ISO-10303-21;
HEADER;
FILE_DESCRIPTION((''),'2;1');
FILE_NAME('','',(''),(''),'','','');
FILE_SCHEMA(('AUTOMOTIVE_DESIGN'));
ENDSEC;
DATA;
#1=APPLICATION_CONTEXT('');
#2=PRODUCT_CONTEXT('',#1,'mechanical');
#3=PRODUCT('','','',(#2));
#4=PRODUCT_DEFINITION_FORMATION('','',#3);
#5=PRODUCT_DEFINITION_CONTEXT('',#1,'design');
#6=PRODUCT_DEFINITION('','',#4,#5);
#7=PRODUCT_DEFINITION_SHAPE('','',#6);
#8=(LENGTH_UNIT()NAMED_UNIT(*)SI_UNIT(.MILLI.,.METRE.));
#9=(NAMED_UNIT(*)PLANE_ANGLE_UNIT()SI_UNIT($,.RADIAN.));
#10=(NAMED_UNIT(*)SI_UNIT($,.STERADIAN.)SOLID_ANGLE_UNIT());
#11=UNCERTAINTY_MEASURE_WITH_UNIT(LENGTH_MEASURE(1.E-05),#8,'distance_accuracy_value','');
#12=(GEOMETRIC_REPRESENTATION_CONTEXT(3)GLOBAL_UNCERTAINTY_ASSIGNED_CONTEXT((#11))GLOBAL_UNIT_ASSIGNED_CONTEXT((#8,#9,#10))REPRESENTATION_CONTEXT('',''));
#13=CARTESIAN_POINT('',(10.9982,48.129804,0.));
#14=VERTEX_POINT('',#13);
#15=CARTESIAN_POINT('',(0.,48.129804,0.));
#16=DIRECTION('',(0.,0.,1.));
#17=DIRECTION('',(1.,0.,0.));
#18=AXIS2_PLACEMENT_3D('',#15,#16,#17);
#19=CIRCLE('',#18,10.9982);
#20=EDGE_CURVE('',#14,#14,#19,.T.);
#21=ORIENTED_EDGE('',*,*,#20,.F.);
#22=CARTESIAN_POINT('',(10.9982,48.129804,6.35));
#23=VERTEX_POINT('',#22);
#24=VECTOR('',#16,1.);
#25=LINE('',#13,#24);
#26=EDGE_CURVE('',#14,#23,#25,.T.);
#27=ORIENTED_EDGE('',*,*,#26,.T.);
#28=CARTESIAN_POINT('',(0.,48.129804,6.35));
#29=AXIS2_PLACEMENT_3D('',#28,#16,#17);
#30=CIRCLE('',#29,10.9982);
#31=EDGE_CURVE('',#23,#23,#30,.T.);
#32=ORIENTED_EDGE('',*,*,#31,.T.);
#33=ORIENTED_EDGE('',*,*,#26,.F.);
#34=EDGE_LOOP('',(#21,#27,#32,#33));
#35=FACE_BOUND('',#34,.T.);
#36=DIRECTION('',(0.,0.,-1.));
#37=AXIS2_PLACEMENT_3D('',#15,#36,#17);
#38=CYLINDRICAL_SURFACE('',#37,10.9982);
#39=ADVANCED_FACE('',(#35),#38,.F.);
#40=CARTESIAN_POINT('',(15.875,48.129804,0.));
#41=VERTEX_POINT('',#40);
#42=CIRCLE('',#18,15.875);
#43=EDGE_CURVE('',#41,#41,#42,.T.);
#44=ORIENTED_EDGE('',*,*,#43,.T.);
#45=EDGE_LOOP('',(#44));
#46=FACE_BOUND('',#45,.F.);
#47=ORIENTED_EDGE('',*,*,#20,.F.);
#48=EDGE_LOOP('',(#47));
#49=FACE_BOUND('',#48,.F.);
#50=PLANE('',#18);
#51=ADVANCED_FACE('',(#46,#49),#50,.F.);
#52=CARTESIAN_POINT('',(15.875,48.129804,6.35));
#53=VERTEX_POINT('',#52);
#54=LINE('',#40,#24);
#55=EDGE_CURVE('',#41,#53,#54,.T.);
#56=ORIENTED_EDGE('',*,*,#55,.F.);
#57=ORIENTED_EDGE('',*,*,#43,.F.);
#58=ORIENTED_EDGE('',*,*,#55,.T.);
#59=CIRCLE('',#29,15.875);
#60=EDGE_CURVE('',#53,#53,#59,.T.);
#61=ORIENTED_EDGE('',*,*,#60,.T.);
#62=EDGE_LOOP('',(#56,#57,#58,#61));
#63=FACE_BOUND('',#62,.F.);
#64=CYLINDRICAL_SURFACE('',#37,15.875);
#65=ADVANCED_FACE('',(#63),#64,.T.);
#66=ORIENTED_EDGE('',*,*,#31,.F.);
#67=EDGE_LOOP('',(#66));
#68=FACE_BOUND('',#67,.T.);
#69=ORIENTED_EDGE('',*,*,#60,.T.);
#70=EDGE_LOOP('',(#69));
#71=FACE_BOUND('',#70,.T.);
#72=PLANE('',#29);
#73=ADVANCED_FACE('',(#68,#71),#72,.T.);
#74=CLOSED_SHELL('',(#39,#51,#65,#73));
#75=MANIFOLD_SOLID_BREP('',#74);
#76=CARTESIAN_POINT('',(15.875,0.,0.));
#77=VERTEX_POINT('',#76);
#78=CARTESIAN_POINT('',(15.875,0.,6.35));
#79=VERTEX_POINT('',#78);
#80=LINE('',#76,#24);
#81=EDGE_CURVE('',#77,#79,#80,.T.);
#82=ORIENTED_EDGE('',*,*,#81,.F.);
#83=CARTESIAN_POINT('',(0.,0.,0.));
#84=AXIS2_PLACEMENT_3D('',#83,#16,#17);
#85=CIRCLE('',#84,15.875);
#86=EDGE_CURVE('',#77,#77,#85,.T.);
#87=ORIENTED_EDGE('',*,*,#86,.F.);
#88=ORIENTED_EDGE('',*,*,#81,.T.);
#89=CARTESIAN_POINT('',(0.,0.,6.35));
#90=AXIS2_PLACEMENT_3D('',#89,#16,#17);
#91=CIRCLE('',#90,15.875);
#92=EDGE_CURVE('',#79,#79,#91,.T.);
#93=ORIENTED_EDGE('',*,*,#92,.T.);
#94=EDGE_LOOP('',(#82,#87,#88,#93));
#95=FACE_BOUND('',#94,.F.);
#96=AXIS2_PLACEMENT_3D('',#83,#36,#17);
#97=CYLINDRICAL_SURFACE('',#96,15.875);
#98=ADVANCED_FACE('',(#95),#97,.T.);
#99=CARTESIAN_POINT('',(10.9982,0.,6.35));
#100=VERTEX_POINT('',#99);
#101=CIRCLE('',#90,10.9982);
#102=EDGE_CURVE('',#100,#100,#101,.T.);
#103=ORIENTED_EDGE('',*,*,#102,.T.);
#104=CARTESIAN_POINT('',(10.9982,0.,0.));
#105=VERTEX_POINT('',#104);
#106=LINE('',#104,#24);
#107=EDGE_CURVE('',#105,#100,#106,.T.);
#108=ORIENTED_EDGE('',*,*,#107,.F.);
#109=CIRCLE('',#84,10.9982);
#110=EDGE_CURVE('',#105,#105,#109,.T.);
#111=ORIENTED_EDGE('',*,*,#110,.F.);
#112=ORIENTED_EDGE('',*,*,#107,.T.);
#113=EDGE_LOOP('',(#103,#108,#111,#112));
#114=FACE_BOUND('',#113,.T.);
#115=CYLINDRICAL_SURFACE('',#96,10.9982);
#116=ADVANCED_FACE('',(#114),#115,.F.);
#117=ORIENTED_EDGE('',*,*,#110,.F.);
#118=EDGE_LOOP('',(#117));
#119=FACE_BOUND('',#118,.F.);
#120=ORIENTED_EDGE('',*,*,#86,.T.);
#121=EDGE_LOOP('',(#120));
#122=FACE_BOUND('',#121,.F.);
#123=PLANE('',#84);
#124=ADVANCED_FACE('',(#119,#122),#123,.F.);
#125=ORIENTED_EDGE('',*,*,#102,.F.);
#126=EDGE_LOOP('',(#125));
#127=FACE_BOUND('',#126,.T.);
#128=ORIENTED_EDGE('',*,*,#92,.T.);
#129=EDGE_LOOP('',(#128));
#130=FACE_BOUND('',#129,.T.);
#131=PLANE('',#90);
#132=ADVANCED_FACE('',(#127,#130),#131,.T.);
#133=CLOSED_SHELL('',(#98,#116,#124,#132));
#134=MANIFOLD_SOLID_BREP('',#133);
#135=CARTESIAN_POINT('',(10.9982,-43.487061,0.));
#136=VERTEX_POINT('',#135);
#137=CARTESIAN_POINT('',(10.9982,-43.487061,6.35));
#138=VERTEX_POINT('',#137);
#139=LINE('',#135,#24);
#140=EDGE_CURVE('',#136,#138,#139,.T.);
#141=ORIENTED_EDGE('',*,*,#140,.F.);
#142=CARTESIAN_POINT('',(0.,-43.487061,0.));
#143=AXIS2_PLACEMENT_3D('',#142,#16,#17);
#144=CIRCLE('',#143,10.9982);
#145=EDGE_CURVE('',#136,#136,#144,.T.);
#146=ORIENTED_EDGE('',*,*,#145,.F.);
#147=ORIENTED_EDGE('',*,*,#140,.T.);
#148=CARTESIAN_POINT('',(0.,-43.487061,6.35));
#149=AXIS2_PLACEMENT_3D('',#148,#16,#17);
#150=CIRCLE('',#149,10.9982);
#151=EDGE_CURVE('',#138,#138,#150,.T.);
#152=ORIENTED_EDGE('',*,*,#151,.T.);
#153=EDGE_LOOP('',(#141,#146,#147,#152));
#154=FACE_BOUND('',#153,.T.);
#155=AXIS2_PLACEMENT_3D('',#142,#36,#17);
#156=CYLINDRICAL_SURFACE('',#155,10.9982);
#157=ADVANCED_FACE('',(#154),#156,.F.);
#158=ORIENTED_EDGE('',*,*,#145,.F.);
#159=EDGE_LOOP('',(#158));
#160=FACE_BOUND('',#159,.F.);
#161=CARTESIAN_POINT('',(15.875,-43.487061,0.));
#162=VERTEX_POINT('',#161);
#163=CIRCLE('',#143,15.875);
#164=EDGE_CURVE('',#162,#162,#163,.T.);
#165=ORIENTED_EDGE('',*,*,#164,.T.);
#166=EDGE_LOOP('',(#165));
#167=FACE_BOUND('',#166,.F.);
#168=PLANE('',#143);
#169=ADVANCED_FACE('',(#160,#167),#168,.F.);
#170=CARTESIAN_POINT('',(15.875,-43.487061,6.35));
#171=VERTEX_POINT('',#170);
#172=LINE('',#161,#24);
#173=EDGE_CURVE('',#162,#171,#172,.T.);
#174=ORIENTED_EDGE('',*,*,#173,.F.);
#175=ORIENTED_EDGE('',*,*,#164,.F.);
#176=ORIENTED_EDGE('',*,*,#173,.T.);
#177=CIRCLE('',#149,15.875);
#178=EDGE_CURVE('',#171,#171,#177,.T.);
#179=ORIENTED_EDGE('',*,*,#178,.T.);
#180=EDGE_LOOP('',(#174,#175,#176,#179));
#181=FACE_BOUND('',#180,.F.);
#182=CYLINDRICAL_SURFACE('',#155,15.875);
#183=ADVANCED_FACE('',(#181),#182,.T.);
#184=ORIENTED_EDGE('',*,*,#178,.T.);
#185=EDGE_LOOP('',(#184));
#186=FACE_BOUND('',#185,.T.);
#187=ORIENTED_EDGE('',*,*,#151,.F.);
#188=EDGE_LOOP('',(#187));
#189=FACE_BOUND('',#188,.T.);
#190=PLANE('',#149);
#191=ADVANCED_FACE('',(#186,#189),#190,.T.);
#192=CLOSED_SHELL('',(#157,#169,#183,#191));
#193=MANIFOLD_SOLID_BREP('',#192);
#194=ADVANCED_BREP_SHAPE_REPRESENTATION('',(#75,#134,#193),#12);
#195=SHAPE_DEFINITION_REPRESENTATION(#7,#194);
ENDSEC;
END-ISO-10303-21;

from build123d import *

# Parameters (mm, degrees)
F1_R     = 15.875
F1_R_2   = 10.9982
F0_R     = 15.875
F0_R_2   = 10.9982
F2_DEPTH = 6.35


with BuildPart() as f2:
    # F1 (on Top) + F0 (on Top) → F2 (new body)
    with BuildSketch(Plane.XY):
        with Locations((0, 48.129804)):
            Circle(F1_R)
        with Locations((0, 48.129804)):
            Circle(F1_R_2, mode=Mode.SUBTRACT)
        with Locations((0, -43.487061)):
            Circle(F1_R)
        with Locations((0, -43.487061)):
            Circle(F1_R_2, mode=Mode.SUBTRACT)
    with BuildSketch(Plane.XY):
        Circle(F0_R)
        Circle(F0_R_2, mode=Mode.SUBTRACT)
    extrude(amount=F2_DEPTH)


solid = f2.part
